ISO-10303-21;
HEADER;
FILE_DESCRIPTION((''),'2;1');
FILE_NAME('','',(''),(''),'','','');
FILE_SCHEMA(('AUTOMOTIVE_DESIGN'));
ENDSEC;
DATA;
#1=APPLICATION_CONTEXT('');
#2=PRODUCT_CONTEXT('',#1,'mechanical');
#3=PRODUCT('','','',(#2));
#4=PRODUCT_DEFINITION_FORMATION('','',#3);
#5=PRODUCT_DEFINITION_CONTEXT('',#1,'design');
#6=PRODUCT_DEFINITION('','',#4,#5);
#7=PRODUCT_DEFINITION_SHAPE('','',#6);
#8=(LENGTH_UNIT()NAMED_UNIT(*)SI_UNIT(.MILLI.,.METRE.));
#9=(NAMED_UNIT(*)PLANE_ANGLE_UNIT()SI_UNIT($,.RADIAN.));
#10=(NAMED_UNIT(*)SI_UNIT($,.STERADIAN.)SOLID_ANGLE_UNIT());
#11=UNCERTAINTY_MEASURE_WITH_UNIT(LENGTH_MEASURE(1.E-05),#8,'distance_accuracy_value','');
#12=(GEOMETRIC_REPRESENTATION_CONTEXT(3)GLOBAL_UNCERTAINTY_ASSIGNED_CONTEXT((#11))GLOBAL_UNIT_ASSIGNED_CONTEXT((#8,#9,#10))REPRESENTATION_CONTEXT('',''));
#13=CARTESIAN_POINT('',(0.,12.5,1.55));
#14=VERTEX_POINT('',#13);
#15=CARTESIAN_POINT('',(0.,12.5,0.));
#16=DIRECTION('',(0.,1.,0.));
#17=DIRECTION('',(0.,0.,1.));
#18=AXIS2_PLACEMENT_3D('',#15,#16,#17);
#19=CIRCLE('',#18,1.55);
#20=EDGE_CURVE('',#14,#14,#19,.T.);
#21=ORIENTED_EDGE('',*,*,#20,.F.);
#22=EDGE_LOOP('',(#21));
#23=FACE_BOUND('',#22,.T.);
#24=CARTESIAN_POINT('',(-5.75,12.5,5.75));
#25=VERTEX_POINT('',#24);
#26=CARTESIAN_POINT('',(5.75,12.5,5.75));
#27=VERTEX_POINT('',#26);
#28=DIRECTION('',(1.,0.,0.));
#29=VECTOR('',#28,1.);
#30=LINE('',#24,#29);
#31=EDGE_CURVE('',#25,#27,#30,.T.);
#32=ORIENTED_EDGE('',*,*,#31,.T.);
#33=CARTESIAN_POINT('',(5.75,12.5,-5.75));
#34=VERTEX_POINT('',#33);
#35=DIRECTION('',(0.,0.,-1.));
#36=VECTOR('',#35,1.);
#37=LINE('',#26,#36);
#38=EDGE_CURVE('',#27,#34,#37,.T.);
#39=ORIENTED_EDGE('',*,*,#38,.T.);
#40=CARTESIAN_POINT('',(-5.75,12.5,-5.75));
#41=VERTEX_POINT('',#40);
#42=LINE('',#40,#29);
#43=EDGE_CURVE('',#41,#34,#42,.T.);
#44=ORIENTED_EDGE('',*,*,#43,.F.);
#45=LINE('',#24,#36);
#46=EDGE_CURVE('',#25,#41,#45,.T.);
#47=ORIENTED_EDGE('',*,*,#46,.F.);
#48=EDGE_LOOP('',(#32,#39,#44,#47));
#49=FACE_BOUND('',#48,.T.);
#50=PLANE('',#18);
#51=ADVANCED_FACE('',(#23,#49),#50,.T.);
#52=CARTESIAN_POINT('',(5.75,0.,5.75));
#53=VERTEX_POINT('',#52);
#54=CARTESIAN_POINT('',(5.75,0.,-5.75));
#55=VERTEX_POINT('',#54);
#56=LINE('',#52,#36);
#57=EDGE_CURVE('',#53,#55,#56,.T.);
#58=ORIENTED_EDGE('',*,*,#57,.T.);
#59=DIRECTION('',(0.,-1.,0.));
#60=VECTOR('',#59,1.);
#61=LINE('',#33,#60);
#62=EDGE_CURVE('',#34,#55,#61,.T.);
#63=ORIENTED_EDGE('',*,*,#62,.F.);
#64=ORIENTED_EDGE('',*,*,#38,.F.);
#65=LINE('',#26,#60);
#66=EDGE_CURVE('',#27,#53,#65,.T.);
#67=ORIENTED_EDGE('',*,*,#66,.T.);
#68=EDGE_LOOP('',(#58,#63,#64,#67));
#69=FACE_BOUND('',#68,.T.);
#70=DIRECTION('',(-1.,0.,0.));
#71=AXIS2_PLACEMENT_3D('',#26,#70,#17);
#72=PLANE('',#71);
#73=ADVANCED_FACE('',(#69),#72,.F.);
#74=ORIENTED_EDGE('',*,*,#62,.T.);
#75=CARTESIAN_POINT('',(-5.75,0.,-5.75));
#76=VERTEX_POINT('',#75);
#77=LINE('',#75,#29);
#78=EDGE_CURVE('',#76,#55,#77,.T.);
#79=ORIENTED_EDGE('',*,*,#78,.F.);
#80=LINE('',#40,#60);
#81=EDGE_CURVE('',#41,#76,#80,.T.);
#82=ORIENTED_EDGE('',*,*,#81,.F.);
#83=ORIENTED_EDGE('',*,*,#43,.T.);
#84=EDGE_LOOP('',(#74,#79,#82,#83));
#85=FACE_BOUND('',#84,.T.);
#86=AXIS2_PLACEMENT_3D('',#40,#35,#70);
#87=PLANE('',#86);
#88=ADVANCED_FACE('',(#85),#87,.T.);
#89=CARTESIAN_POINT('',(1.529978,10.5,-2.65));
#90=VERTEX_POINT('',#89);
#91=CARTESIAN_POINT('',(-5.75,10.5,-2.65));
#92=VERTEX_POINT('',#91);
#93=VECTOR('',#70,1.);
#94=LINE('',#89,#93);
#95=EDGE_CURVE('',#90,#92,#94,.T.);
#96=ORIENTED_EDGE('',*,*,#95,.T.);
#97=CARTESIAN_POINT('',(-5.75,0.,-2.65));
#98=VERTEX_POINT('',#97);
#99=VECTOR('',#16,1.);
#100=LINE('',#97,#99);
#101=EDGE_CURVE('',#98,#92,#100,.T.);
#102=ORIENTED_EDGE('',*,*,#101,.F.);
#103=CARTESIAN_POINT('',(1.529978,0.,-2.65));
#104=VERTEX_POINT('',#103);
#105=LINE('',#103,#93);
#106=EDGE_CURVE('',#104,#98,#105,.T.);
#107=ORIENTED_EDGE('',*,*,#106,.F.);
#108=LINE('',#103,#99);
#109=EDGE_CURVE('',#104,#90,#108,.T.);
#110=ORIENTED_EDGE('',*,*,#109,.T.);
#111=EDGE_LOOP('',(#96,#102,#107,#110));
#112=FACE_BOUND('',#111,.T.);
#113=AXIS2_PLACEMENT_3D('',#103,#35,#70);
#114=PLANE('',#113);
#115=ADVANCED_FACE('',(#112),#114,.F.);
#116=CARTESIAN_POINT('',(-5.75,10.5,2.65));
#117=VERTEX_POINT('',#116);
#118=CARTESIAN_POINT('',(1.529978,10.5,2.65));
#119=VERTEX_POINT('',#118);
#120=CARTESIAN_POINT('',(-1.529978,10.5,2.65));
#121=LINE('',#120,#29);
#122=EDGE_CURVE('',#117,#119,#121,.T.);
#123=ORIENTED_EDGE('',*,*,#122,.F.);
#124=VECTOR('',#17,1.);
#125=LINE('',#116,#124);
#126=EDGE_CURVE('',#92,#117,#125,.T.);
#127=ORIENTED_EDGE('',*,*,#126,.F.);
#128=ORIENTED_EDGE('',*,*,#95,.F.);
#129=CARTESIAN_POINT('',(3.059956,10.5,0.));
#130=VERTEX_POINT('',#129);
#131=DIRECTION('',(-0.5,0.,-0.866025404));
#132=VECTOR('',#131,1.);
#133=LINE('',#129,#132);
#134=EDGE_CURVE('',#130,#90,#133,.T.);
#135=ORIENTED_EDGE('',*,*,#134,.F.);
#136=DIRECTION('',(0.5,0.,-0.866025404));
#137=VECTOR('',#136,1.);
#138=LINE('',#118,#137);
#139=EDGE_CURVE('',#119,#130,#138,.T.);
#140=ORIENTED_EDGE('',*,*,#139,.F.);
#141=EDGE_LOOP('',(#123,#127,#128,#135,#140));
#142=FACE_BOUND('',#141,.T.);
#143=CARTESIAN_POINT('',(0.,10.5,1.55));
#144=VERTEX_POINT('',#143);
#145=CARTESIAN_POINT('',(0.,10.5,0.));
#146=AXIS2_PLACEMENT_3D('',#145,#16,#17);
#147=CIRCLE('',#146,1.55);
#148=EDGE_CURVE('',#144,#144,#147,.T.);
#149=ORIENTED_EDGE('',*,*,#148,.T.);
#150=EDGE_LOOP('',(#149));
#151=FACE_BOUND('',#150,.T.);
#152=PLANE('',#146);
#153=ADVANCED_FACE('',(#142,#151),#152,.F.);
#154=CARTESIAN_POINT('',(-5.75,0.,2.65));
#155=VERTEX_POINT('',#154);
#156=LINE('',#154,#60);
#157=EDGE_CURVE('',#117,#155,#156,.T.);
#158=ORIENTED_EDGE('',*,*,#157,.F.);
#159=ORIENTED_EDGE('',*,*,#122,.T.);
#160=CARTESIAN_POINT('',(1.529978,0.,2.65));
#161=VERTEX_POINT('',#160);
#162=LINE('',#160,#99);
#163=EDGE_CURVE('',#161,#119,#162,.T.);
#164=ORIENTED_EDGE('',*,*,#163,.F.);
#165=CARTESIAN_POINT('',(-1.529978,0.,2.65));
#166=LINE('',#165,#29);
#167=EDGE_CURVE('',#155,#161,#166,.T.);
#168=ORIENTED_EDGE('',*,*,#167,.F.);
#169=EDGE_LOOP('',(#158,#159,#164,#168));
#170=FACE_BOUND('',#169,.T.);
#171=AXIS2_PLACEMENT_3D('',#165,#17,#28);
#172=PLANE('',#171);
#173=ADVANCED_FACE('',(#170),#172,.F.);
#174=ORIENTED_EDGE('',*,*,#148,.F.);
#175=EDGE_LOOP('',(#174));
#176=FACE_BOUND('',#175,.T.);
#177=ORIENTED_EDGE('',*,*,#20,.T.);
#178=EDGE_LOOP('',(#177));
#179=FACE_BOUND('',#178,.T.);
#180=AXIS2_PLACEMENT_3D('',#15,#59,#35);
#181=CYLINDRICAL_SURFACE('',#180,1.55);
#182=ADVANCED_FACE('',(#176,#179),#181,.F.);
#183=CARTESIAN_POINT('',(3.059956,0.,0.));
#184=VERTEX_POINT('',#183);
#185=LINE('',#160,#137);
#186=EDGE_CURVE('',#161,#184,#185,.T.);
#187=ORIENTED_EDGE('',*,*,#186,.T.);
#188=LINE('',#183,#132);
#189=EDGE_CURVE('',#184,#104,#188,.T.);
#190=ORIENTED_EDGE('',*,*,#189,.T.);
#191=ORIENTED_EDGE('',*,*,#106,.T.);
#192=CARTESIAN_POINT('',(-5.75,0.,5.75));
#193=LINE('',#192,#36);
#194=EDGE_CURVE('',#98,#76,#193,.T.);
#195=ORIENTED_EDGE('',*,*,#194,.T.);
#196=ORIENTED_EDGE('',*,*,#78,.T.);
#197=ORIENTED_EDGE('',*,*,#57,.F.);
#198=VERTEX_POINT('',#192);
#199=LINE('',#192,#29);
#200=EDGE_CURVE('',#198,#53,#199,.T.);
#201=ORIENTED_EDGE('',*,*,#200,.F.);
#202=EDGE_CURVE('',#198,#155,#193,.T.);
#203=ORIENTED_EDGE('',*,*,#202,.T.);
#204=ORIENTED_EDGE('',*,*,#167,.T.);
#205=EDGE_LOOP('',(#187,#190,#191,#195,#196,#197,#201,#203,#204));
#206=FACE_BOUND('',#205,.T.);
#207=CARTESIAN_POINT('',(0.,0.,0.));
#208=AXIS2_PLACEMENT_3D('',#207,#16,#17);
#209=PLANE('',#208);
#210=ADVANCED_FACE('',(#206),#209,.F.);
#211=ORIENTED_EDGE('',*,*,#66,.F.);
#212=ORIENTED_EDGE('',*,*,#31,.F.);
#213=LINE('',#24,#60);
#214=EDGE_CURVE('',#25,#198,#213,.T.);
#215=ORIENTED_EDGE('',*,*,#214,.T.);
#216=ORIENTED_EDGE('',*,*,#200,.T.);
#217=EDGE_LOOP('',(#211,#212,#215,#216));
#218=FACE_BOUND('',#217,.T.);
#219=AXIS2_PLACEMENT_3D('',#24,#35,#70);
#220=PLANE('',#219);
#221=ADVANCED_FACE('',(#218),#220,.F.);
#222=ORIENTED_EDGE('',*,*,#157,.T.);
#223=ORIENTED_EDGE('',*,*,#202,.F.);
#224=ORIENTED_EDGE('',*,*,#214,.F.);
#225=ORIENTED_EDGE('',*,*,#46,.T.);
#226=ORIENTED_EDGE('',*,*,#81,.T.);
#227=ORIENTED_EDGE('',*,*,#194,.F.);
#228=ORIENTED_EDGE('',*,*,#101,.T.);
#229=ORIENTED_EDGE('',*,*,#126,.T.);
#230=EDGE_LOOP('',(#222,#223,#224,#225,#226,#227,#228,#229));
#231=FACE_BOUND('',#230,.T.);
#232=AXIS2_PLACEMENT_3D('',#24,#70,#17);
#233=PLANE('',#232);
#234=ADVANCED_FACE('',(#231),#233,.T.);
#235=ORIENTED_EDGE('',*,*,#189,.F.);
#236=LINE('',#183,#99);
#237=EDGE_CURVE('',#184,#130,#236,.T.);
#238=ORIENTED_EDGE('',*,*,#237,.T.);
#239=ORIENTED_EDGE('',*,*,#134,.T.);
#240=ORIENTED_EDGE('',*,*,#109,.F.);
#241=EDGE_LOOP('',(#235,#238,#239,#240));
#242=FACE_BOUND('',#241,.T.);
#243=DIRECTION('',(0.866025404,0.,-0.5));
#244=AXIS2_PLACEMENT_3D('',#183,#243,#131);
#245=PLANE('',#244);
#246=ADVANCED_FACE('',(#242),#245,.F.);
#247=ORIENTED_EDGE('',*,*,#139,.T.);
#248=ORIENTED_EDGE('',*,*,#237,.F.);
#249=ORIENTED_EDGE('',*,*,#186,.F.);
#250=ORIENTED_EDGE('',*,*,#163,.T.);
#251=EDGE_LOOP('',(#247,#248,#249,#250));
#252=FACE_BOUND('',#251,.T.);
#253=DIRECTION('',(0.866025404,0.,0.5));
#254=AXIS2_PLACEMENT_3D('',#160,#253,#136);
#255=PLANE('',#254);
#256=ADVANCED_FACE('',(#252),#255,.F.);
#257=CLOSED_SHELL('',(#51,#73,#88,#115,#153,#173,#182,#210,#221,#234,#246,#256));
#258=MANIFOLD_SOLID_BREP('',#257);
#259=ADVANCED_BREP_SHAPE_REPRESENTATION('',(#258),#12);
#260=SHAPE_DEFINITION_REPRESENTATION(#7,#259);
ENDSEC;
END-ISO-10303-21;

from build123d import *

# Parameters (mm, degrees)
SKETCH3_W           = 11.5
SKETCH3_H           = 11.5
BOSS_EXTRUDE1_DEPTH = 12.5
SKETCH4_R           = 1.55
CUT_EXTRUDE1_DEPTH  = 3
CUT_EXTRUDE2_DEPTH  = 11.5
SKETCH6_W           = 5.3
SKETCH6_H           = 10.5
CUT_EXTRUDE3_DEPTH  = 6.75


with BuildPart() as part:
    # Sketch3 → Boss-Extrude1 (new body)
    with BuildSketch(Plane(origin=(0, 0, 0), x_dir=(1, 0, 0), z_dir=(0, 1, 0))):
        Rectangle(SKETCH3_W, SKETCH3_H)
    extrude(amount=BOSS_EXTRUDE1_DEPTH)

    # Sketch4 → Cut-Extrude1 (cut, through all)
    with BuildSketch(Plane(origin=(0, 10.5, 0), x_dir=(1, 0, 0), z_dir=(0, 1, 0))):
        Circle(SKETCH4_R)
    extrude(amount=CUT_EXTRUDE1_DEPTH, mode=Mode.SUBTRACT)

    # Sketch5 → Cut-Extrude2 (cut, through all)
    with BuildSketch(Plane(origin=(0, 10.5, 0), x_dir=(1, 0, 0), z_dir=(0, 1, 0))):
        Polygon((3.059956427, 0), (1.529978213, 2.65), (-1.529978213, 2.65), (-3.059956427, 0), (-1.529978213, -2.65), (1.529978213, -2.65), align=None)
    extrude(amount=-CUT_EXTRUDE2_DEPTH, mode=Mode.SUBTRACT)

    # Sketch6 → Cut-Extrude3 (cut, through all)
    with BuildSketch(Plane(origin=(0, 0, 0), x_dir=(0, 0, -1), z_dir=(1, 0, 0))):
        with Locations((0, 5.25)):
            Rectangle(SKETCH6_W, SKETCH6_H)
    extrude(amount=-CUT_EXTRUDE3_DEPTH, mode=Mode.SUBTRACT)


solid = part.part
